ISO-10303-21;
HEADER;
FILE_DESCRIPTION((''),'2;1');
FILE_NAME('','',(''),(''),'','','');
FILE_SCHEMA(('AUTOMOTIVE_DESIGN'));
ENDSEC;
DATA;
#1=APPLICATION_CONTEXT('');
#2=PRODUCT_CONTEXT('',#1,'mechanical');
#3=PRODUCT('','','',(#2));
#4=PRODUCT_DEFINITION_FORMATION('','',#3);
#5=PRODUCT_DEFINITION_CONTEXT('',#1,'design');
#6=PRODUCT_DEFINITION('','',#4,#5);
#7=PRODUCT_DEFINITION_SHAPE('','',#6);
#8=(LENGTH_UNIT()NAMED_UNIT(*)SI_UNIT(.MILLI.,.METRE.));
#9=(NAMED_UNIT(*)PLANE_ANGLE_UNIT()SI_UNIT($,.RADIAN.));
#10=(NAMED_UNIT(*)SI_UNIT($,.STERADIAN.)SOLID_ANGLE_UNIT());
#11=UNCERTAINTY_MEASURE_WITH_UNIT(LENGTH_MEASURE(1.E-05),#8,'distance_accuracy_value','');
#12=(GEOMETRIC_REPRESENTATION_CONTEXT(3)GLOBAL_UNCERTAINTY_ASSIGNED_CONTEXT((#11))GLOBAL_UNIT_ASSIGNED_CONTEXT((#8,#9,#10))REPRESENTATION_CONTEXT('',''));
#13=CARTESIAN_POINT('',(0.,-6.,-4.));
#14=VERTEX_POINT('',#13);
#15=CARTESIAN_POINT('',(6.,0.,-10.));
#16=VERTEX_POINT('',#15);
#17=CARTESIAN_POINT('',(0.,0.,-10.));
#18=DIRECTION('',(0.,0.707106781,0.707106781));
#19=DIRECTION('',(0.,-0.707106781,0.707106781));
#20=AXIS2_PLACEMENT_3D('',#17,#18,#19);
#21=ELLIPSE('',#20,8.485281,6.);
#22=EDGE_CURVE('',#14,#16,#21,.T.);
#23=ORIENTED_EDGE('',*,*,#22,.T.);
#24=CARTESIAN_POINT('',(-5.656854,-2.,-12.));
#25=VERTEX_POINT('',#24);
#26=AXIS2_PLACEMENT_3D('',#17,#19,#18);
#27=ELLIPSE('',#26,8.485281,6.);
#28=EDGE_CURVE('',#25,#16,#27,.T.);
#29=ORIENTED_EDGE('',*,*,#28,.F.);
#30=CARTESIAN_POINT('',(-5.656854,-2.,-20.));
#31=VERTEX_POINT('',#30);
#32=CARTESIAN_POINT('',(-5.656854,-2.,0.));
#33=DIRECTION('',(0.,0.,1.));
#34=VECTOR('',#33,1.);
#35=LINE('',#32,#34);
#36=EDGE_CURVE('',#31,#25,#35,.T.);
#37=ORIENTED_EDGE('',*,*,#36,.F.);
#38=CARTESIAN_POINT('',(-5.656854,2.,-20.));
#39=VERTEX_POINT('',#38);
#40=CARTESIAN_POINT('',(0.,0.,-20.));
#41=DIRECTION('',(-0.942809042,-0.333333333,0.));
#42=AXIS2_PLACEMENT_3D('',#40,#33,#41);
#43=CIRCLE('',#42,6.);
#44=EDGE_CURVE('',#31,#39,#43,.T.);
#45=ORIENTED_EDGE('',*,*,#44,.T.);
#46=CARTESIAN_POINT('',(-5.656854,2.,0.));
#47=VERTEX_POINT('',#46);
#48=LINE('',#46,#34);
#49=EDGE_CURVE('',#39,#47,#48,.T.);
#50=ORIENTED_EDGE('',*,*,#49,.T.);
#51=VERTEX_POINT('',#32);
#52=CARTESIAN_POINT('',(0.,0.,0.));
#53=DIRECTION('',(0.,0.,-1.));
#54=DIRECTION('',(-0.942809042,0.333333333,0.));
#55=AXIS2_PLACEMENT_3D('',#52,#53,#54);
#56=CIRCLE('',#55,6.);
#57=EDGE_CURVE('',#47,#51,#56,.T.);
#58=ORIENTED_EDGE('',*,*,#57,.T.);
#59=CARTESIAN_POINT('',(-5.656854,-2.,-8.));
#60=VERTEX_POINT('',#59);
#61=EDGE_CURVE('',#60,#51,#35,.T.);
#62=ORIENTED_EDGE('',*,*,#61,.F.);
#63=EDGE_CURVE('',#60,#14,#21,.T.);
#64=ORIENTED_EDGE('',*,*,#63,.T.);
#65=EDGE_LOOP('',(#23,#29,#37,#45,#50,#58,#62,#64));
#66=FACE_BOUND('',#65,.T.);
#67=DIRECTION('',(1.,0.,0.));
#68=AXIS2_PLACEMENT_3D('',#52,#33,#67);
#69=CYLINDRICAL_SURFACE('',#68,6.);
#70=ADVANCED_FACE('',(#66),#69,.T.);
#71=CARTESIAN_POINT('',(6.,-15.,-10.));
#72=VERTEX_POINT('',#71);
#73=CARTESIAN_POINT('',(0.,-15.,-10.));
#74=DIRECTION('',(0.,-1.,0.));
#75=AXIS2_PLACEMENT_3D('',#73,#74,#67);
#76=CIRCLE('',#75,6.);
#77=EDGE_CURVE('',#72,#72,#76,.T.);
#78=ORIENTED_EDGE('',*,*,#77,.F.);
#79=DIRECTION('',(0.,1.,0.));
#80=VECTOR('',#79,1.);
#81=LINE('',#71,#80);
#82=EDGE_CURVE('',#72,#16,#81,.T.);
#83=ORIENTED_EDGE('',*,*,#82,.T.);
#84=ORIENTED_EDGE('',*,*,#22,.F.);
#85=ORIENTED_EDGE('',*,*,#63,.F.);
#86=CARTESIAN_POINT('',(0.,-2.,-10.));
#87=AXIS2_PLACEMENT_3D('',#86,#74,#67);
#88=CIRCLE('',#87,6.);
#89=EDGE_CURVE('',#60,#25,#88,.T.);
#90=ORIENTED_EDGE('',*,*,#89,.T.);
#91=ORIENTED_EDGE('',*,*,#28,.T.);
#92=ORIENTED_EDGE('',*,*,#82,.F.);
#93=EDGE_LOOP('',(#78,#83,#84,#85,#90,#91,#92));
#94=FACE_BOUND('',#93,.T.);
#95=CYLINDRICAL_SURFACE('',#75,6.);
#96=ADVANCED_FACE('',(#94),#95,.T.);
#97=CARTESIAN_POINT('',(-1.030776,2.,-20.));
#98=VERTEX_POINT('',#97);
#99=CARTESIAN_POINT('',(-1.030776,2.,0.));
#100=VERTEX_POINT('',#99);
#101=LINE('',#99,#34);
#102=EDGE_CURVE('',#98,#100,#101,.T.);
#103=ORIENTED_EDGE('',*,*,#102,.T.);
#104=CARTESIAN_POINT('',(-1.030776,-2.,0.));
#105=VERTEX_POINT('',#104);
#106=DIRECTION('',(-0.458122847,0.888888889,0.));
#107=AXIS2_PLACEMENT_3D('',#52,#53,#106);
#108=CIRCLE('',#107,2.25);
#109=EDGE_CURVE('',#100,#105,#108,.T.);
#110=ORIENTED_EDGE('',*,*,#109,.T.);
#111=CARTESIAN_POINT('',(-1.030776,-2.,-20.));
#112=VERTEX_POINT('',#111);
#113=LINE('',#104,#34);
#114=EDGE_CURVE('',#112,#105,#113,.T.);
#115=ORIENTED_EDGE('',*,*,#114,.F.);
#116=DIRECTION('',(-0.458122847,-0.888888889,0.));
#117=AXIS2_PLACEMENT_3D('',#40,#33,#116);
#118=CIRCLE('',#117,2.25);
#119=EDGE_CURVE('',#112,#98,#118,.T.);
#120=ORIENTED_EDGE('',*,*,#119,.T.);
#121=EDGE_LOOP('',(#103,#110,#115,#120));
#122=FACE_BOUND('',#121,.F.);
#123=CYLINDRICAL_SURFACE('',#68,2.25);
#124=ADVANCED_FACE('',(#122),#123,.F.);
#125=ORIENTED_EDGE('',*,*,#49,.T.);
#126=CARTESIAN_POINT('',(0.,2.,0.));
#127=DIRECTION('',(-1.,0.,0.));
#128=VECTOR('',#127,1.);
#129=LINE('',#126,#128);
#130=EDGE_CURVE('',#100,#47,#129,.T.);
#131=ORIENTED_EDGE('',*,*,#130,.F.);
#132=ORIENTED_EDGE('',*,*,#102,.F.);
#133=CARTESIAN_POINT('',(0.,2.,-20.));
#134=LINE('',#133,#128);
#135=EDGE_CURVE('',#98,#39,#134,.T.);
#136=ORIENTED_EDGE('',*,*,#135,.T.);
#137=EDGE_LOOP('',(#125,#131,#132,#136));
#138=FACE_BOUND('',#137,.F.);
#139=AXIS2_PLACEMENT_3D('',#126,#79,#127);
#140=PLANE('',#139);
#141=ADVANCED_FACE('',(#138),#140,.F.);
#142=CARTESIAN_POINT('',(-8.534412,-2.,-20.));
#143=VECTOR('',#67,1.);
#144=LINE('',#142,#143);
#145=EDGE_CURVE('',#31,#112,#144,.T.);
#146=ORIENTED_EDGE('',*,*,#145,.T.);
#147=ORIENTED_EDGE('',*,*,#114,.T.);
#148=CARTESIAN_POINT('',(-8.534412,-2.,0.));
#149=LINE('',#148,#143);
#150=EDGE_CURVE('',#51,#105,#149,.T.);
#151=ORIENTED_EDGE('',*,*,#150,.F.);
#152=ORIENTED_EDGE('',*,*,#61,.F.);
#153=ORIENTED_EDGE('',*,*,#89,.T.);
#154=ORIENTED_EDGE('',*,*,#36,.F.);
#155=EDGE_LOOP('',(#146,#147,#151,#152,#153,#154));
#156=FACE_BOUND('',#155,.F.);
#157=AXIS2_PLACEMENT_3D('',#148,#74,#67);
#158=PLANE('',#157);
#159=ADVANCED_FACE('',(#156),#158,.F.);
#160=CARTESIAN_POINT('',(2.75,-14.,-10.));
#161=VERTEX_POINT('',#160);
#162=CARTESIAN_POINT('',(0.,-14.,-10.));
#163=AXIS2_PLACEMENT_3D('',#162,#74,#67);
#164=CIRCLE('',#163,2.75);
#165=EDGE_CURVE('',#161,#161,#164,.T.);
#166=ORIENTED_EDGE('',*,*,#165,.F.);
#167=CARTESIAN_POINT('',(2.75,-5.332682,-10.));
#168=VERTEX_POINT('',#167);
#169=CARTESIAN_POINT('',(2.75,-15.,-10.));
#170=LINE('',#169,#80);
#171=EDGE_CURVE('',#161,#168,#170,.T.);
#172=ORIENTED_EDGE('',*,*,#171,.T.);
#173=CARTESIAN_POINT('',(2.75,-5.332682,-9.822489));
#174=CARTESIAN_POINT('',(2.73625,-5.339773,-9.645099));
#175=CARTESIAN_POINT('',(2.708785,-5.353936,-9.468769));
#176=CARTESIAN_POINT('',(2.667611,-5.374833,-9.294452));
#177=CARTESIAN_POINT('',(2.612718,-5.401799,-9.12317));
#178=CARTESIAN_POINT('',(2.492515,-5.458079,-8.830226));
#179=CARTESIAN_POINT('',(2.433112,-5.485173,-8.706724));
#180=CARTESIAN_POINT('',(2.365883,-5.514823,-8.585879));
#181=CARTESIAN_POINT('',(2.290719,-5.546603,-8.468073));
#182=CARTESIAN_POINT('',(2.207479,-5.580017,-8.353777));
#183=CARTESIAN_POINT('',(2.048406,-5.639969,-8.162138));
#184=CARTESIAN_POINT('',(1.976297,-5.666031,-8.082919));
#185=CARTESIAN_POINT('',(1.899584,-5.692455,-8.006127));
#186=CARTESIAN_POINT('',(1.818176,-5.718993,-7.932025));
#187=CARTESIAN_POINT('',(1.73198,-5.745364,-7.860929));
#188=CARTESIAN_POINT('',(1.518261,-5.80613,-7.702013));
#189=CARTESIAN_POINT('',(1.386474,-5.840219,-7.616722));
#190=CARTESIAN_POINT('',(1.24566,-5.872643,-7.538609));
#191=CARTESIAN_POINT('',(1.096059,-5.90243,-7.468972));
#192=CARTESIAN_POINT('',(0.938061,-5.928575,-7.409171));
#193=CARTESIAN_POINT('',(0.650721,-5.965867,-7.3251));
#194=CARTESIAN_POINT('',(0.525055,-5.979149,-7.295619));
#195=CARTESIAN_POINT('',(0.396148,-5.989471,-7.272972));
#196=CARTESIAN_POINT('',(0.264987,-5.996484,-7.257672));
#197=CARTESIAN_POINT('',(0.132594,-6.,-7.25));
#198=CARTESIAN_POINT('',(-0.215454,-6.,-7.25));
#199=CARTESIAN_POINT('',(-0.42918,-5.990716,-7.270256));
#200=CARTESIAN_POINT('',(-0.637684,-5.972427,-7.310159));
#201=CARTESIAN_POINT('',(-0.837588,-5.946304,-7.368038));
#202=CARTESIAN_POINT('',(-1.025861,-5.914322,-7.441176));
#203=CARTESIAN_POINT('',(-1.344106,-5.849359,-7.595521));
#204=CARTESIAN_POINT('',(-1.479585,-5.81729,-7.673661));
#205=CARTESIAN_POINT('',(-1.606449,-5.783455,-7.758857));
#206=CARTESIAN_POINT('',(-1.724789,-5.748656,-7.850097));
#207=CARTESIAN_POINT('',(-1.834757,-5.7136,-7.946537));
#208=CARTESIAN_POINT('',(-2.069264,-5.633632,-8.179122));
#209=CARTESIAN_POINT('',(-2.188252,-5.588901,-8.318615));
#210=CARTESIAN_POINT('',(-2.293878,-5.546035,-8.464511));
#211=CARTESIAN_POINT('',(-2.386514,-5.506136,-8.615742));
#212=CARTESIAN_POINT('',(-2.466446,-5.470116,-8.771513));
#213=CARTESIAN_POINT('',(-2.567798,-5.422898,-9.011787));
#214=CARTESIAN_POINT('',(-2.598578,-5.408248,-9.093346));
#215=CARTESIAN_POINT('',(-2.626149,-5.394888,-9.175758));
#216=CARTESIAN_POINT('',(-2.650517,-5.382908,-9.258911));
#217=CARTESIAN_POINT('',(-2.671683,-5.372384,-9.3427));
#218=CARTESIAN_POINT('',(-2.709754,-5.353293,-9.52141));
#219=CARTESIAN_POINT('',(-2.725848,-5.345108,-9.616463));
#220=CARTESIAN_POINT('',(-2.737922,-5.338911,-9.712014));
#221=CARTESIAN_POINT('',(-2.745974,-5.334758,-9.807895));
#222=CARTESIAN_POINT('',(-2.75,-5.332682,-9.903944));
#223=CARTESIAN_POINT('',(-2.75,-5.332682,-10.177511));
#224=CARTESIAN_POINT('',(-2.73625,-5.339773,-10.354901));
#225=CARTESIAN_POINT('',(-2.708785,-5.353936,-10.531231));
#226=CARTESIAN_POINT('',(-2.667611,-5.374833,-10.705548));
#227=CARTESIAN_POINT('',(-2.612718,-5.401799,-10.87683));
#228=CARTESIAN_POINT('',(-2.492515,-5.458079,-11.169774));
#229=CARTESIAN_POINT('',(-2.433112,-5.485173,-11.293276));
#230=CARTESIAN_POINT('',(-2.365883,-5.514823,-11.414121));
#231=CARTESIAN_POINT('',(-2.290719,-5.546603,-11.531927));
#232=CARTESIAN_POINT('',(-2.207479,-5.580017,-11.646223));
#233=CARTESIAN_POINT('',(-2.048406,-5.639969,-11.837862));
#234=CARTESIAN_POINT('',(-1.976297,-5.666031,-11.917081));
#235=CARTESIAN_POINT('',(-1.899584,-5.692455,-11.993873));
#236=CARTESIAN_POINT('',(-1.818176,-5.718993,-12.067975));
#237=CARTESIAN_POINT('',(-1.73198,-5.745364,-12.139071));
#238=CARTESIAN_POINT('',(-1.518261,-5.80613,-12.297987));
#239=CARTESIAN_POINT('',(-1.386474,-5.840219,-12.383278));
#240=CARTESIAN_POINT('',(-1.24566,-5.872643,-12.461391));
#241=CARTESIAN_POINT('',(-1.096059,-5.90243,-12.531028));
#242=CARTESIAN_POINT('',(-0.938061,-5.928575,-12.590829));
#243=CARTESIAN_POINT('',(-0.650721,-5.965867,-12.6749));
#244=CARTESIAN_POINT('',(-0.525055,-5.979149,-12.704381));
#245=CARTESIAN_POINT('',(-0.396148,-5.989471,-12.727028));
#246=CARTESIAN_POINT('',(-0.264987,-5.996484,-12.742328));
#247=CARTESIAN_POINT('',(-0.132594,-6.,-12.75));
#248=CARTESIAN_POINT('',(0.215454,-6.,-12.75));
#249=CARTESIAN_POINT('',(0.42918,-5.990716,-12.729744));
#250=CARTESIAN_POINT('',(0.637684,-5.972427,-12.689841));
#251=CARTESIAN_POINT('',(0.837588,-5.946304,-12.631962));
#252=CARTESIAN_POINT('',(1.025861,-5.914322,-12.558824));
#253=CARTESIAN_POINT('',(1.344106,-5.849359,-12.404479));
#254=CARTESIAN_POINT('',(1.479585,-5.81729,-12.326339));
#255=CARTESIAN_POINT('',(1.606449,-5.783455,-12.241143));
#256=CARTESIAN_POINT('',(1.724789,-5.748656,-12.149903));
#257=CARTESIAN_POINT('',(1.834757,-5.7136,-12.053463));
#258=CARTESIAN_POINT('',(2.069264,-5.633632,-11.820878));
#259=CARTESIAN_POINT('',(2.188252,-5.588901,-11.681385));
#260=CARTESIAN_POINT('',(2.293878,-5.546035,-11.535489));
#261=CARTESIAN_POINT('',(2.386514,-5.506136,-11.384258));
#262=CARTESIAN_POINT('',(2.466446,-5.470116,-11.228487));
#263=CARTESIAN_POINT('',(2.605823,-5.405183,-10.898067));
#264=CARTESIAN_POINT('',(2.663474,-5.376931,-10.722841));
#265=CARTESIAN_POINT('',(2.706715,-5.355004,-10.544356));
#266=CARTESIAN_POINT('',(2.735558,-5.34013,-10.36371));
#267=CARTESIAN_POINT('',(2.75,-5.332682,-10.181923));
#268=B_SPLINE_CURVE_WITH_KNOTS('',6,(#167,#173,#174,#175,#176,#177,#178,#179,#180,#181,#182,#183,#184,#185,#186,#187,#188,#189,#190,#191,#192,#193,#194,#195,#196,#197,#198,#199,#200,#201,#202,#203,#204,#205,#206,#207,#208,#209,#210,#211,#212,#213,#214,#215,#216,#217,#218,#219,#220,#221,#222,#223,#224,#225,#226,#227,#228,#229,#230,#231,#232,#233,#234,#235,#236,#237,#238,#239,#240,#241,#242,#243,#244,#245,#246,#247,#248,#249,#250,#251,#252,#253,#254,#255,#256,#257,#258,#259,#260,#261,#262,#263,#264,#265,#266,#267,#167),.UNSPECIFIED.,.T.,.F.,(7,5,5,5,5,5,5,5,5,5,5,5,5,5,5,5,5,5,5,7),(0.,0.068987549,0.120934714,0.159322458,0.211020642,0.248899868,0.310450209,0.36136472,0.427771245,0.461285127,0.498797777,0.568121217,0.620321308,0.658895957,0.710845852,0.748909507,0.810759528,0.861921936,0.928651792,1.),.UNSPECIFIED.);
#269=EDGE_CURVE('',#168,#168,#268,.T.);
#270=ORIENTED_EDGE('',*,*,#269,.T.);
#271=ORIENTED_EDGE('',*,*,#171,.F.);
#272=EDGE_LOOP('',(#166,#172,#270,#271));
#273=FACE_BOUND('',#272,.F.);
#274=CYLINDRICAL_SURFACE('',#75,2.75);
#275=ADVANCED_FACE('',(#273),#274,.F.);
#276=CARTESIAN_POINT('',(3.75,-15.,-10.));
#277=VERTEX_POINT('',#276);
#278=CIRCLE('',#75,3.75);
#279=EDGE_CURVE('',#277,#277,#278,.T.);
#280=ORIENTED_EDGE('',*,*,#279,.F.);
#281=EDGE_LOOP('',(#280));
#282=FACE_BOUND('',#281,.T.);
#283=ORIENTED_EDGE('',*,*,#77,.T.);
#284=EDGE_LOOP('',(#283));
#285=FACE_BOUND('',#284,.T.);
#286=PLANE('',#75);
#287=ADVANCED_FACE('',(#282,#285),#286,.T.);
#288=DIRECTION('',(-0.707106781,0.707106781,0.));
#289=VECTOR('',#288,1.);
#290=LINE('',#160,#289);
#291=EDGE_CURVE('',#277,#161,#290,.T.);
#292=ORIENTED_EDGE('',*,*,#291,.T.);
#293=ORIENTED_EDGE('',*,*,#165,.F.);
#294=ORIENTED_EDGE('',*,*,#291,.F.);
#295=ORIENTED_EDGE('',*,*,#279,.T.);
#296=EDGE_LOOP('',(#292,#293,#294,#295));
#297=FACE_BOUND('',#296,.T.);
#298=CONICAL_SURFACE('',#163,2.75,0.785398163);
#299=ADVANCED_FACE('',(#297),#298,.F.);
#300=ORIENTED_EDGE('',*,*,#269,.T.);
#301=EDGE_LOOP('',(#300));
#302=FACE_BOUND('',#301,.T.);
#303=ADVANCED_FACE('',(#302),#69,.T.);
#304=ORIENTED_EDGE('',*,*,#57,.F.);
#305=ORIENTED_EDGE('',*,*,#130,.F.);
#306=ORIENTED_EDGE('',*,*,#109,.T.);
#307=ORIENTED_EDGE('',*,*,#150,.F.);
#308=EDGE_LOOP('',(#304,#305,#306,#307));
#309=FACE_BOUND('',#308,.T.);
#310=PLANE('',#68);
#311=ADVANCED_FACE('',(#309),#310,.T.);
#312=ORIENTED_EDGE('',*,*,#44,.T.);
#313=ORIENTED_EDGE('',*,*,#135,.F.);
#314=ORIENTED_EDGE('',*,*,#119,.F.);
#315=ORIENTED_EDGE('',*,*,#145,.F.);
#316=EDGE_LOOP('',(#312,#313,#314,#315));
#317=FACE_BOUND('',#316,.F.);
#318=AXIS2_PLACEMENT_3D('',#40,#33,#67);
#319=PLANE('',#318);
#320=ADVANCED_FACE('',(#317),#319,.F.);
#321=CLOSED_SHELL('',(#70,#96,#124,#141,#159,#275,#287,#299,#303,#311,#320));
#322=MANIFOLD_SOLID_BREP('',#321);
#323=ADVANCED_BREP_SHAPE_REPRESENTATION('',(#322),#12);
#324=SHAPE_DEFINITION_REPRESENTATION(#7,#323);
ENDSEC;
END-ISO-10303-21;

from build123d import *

# Parameters (mm, degrees)
F0_R     = 6
F1_DEPTH = 20
F4_R     = 6
F4_R_2   = 2.75
F5_DEPTH = 15
F2_R     = 2.25
F6_DEPTH = 20
F8_DEPTH = 20
F9_SIZE  = 1


with BuildPart() as f1:
    # F0 (on Top) → F1 (new body)
    with BuildSketch(Plane.XY):
        Circle(F0_R)
    extrude(amount=-F1_DEPTH)

    # F4 (on offset) → F5 (join)
    with BuildSketch(Plane.XZ.offset(15)):
        with Locations((0, -10)):
            Circle(F4_R)
        with Locations((0, -10)):
            Circle(F4_R_2, mode=Mode.SUBTRACT)
    extrude(amount=-F5_DEPTH)

    # F2 (on face) → F6 (cut, through all)
    with BuildSketch(Plane.XY):
        Circle(F2_R)
    extrude(amount=-F6_DEPTH, mode=Mode.SUBTRACT)

    # F7 (on face) → F8 (cut, through all)
    with BuildSketch(Plane.XY):
        with BuildLine():
            Line((-1.0307764064, 2), (-5.6568542495, 2))
            ThreePointArc((-5.6568542495, 2), (-6, 0), (-5.6568542495, -2))
            Line((-5.6568542495, -2), (-1.0307764064, -2))
            ThreePointArc((-1.0307764064, -2), (-2.25, 0), (-1.0307764064, 2))
        make_face()
        with BuildLine():
            Line((0, 2), (-1.0307764064, 2))
            ThreePointArc((-1.0307764064, 2), (-2.25, 0), (-1.0307764064, -2))
            Line((-1.0307764064, -2), (0, -2))
            Line((0, -2), (0, 2))
        make_face()
        with BuildLine():
            Line((-5.6568542495, 2), (-8.5344118631, 2))
            Line((-8.5344118631, 2), (-8.5344118631, -2))
            Line((-8.5344118631, -2), (-5.6568542495, -2))
            ThreePointArc((-5.6568542495, -2), (-6, 0), (-5.6568542495, 2))
        make_face()
    extrude(amount=-F8_DEPTH, mode=Mode.SUBTRACT)

    # F9
    f9_edges = [f1.edges().sort_by_distance(p)[0] for p in [
        (-2.75, -15, -10),
    ]]
    chamfer(f9_edges, length=F9_SIZE)


solid = f1.part
